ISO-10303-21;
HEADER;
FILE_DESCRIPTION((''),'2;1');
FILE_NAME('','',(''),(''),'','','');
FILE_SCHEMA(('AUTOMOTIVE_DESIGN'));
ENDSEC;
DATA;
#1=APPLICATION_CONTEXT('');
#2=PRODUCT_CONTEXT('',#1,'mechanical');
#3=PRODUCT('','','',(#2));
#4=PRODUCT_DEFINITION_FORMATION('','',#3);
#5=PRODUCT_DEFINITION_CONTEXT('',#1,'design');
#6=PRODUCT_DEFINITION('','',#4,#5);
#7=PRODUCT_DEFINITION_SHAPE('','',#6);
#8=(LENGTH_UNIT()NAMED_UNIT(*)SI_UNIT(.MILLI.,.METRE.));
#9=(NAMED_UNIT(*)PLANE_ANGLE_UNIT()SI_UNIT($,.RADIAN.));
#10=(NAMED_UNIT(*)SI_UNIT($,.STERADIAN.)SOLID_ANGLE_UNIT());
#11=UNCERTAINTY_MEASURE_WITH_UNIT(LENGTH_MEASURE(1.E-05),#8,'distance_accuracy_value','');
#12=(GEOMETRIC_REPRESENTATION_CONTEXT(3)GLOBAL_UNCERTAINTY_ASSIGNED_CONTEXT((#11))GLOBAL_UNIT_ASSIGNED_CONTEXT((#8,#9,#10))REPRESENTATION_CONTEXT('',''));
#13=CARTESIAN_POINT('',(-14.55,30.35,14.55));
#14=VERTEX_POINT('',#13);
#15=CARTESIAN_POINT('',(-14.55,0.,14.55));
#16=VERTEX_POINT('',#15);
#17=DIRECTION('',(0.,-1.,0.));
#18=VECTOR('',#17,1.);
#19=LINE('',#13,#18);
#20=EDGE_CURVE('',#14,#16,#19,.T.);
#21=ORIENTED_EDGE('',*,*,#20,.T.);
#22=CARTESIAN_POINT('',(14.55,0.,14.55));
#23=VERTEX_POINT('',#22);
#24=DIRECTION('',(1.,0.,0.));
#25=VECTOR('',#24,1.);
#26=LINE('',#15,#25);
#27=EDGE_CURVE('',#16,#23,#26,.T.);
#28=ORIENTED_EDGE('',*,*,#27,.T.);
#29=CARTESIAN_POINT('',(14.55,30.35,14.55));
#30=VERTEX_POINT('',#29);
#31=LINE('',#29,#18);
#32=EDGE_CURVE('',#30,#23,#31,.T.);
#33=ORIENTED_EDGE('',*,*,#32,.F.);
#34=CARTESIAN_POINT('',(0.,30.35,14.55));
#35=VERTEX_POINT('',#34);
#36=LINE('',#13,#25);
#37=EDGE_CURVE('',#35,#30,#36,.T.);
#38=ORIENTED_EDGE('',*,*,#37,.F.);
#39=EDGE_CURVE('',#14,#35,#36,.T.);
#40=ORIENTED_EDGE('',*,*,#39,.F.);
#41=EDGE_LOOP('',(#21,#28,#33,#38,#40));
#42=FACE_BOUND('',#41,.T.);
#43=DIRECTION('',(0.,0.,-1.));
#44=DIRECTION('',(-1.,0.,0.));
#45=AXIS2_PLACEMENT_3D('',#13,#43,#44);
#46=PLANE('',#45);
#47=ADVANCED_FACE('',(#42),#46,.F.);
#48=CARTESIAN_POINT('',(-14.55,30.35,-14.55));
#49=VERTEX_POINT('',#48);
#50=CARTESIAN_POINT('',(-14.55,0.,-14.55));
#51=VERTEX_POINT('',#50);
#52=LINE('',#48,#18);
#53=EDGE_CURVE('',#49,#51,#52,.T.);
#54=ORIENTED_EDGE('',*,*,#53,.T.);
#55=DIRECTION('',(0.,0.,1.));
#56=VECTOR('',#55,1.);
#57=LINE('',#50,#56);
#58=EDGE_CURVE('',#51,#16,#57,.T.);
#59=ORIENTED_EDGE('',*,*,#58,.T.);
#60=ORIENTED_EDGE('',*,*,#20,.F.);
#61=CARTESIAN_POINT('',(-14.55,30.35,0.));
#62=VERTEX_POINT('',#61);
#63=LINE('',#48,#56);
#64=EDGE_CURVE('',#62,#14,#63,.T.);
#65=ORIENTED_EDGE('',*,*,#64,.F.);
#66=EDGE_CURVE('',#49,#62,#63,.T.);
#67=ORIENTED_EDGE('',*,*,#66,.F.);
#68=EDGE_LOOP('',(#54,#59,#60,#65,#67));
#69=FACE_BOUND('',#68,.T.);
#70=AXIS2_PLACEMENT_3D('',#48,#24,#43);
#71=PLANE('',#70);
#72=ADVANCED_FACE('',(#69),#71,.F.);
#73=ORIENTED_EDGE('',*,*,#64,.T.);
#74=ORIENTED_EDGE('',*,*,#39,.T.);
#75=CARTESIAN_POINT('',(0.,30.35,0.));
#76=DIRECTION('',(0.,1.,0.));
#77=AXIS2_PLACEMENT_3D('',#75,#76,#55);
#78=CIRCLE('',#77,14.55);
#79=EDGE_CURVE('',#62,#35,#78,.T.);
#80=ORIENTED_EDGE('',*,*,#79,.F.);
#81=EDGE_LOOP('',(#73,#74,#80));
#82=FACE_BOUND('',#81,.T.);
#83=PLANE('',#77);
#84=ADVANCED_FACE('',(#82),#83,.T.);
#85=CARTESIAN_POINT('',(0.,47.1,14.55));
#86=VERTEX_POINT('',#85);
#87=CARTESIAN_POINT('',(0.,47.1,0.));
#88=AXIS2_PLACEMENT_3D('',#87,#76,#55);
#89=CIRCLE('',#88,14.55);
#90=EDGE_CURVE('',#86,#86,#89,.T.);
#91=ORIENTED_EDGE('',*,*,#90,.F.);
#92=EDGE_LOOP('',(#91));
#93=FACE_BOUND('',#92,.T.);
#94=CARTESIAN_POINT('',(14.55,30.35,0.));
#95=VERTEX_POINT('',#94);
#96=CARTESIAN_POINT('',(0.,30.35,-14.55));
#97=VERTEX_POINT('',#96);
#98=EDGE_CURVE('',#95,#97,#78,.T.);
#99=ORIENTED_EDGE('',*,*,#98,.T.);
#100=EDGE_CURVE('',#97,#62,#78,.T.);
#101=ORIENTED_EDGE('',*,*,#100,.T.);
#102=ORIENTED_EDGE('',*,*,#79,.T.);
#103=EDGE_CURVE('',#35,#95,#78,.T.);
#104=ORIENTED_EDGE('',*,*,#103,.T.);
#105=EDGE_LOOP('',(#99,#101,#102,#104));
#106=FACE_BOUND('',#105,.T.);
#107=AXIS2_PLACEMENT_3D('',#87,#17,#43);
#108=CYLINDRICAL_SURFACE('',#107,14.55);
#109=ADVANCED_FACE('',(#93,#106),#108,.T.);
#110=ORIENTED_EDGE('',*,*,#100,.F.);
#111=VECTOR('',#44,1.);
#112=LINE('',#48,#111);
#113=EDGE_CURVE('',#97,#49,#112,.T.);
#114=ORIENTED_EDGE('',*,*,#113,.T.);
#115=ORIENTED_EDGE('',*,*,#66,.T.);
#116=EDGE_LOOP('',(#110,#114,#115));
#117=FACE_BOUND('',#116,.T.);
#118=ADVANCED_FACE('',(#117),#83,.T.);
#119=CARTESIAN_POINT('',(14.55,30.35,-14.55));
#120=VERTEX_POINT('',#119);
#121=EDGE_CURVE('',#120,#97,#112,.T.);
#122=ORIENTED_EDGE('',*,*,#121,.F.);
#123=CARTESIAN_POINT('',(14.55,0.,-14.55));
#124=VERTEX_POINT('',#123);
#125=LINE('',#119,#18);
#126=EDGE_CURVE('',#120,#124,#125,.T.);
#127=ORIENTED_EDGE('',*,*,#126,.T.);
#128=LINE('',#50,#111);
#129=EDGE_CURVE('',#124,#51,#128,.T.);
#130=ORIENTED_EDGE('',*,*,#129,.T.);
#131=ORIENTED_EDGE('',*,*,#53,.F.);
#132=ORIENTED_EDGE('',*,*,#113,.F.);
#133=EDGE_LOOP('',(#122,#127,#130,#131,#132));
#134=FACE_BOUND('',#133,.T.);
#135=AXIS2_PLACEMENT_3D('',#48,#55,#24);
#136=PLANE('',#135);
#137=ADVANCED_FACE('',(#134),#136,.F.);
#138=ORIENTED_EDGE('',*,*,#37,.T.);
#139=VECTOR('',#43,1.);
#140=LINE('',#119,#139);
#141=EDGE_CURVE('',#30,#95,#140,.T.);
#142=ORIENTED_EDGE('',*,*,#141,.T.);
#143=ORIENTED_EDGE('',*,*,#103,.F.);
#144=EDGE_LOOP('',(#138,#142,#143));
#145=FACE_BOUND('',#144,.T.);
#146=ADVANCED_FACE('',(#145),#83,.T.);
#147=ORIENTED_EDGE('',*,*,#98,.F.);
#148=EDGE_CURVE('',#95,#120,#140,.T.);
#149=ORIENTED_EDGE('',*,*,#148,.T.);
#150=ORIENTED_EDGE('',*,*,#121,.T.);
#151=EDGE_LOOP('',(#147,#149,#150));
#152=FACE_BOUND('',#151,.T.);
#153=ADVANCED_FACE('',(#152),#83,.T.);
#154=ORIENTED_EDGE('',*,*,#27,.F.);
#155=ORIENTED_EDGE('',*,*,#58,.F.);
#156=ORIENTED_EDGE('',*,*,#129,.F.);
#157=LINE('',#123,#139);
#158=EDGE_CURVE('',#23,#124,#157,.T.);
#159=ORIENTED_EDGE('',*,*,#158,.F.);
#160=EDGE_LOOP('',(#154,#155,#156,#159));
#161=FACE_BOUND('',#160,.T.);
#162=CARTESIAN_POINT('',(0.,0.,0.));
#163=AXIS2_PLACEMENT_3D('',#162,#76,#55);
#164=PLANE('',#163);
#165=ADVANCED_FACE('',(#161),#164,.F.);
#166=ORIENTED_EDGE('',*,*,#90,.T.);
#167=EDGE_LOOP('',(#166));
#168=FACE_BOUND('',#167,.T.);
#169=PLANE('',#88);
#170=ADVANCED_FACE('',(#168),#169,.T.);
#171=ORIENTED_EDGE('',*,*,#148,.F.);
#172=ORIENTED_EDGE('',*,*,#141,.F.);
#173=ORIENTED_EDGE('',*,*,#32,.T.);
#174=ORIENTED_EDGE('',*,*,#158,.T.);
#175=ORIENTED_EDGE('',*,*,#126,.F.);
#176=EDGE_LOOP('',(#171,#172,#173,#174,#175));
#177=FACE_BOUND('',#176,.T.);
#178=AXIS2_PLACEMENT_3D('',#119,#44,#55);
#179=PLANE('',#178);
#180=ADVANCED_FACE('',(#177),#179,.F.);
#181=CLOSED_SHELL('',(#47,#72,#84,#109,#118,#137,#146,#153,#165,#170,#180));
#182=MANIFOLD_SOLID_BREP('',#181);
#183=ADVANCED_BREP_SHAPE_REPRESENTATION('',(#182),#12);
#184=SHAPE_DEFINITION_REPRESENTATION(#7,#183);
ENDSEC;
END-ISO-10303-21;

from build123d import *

# Parameters (mm, degrees)
SKETCH1_W           = 29.1
SKETCH1_H           = 29.1
BOSS_EXTRUDE1_DEPTH = 30.35
SKETCH2_R           = 14.55
BOSS_EXTRUDE2_DEPTH = 16.75


with BuildPart() as part:
    # Sketch1 → Boss-Extrude1 (new body)
    with BuildSketch(Plane(origin=(0, 0, 0), x_dir=(1, 0, 0), z_dir=(0, 1, 0))):
        Rectangle(SKETCH1_W, SKETCH1_H)
    extrude(amount=BOSS_EXTRUDE1_DEPTH)

    # Sketch2 → Boss-Extrude2 (add)
    with BuildSketch(Plane(origin=(0, 30.35, 0), x_dir=(1, 0, 0), z_dir=(0, 1, 0))):
        with Locations(Location((0, 0, 0), (0, 0, 270))):
            Circle(SKETCH2_R)
    extrude(amount=BOSS_EXTRUDE2_DEPTH)


solid = part.part
